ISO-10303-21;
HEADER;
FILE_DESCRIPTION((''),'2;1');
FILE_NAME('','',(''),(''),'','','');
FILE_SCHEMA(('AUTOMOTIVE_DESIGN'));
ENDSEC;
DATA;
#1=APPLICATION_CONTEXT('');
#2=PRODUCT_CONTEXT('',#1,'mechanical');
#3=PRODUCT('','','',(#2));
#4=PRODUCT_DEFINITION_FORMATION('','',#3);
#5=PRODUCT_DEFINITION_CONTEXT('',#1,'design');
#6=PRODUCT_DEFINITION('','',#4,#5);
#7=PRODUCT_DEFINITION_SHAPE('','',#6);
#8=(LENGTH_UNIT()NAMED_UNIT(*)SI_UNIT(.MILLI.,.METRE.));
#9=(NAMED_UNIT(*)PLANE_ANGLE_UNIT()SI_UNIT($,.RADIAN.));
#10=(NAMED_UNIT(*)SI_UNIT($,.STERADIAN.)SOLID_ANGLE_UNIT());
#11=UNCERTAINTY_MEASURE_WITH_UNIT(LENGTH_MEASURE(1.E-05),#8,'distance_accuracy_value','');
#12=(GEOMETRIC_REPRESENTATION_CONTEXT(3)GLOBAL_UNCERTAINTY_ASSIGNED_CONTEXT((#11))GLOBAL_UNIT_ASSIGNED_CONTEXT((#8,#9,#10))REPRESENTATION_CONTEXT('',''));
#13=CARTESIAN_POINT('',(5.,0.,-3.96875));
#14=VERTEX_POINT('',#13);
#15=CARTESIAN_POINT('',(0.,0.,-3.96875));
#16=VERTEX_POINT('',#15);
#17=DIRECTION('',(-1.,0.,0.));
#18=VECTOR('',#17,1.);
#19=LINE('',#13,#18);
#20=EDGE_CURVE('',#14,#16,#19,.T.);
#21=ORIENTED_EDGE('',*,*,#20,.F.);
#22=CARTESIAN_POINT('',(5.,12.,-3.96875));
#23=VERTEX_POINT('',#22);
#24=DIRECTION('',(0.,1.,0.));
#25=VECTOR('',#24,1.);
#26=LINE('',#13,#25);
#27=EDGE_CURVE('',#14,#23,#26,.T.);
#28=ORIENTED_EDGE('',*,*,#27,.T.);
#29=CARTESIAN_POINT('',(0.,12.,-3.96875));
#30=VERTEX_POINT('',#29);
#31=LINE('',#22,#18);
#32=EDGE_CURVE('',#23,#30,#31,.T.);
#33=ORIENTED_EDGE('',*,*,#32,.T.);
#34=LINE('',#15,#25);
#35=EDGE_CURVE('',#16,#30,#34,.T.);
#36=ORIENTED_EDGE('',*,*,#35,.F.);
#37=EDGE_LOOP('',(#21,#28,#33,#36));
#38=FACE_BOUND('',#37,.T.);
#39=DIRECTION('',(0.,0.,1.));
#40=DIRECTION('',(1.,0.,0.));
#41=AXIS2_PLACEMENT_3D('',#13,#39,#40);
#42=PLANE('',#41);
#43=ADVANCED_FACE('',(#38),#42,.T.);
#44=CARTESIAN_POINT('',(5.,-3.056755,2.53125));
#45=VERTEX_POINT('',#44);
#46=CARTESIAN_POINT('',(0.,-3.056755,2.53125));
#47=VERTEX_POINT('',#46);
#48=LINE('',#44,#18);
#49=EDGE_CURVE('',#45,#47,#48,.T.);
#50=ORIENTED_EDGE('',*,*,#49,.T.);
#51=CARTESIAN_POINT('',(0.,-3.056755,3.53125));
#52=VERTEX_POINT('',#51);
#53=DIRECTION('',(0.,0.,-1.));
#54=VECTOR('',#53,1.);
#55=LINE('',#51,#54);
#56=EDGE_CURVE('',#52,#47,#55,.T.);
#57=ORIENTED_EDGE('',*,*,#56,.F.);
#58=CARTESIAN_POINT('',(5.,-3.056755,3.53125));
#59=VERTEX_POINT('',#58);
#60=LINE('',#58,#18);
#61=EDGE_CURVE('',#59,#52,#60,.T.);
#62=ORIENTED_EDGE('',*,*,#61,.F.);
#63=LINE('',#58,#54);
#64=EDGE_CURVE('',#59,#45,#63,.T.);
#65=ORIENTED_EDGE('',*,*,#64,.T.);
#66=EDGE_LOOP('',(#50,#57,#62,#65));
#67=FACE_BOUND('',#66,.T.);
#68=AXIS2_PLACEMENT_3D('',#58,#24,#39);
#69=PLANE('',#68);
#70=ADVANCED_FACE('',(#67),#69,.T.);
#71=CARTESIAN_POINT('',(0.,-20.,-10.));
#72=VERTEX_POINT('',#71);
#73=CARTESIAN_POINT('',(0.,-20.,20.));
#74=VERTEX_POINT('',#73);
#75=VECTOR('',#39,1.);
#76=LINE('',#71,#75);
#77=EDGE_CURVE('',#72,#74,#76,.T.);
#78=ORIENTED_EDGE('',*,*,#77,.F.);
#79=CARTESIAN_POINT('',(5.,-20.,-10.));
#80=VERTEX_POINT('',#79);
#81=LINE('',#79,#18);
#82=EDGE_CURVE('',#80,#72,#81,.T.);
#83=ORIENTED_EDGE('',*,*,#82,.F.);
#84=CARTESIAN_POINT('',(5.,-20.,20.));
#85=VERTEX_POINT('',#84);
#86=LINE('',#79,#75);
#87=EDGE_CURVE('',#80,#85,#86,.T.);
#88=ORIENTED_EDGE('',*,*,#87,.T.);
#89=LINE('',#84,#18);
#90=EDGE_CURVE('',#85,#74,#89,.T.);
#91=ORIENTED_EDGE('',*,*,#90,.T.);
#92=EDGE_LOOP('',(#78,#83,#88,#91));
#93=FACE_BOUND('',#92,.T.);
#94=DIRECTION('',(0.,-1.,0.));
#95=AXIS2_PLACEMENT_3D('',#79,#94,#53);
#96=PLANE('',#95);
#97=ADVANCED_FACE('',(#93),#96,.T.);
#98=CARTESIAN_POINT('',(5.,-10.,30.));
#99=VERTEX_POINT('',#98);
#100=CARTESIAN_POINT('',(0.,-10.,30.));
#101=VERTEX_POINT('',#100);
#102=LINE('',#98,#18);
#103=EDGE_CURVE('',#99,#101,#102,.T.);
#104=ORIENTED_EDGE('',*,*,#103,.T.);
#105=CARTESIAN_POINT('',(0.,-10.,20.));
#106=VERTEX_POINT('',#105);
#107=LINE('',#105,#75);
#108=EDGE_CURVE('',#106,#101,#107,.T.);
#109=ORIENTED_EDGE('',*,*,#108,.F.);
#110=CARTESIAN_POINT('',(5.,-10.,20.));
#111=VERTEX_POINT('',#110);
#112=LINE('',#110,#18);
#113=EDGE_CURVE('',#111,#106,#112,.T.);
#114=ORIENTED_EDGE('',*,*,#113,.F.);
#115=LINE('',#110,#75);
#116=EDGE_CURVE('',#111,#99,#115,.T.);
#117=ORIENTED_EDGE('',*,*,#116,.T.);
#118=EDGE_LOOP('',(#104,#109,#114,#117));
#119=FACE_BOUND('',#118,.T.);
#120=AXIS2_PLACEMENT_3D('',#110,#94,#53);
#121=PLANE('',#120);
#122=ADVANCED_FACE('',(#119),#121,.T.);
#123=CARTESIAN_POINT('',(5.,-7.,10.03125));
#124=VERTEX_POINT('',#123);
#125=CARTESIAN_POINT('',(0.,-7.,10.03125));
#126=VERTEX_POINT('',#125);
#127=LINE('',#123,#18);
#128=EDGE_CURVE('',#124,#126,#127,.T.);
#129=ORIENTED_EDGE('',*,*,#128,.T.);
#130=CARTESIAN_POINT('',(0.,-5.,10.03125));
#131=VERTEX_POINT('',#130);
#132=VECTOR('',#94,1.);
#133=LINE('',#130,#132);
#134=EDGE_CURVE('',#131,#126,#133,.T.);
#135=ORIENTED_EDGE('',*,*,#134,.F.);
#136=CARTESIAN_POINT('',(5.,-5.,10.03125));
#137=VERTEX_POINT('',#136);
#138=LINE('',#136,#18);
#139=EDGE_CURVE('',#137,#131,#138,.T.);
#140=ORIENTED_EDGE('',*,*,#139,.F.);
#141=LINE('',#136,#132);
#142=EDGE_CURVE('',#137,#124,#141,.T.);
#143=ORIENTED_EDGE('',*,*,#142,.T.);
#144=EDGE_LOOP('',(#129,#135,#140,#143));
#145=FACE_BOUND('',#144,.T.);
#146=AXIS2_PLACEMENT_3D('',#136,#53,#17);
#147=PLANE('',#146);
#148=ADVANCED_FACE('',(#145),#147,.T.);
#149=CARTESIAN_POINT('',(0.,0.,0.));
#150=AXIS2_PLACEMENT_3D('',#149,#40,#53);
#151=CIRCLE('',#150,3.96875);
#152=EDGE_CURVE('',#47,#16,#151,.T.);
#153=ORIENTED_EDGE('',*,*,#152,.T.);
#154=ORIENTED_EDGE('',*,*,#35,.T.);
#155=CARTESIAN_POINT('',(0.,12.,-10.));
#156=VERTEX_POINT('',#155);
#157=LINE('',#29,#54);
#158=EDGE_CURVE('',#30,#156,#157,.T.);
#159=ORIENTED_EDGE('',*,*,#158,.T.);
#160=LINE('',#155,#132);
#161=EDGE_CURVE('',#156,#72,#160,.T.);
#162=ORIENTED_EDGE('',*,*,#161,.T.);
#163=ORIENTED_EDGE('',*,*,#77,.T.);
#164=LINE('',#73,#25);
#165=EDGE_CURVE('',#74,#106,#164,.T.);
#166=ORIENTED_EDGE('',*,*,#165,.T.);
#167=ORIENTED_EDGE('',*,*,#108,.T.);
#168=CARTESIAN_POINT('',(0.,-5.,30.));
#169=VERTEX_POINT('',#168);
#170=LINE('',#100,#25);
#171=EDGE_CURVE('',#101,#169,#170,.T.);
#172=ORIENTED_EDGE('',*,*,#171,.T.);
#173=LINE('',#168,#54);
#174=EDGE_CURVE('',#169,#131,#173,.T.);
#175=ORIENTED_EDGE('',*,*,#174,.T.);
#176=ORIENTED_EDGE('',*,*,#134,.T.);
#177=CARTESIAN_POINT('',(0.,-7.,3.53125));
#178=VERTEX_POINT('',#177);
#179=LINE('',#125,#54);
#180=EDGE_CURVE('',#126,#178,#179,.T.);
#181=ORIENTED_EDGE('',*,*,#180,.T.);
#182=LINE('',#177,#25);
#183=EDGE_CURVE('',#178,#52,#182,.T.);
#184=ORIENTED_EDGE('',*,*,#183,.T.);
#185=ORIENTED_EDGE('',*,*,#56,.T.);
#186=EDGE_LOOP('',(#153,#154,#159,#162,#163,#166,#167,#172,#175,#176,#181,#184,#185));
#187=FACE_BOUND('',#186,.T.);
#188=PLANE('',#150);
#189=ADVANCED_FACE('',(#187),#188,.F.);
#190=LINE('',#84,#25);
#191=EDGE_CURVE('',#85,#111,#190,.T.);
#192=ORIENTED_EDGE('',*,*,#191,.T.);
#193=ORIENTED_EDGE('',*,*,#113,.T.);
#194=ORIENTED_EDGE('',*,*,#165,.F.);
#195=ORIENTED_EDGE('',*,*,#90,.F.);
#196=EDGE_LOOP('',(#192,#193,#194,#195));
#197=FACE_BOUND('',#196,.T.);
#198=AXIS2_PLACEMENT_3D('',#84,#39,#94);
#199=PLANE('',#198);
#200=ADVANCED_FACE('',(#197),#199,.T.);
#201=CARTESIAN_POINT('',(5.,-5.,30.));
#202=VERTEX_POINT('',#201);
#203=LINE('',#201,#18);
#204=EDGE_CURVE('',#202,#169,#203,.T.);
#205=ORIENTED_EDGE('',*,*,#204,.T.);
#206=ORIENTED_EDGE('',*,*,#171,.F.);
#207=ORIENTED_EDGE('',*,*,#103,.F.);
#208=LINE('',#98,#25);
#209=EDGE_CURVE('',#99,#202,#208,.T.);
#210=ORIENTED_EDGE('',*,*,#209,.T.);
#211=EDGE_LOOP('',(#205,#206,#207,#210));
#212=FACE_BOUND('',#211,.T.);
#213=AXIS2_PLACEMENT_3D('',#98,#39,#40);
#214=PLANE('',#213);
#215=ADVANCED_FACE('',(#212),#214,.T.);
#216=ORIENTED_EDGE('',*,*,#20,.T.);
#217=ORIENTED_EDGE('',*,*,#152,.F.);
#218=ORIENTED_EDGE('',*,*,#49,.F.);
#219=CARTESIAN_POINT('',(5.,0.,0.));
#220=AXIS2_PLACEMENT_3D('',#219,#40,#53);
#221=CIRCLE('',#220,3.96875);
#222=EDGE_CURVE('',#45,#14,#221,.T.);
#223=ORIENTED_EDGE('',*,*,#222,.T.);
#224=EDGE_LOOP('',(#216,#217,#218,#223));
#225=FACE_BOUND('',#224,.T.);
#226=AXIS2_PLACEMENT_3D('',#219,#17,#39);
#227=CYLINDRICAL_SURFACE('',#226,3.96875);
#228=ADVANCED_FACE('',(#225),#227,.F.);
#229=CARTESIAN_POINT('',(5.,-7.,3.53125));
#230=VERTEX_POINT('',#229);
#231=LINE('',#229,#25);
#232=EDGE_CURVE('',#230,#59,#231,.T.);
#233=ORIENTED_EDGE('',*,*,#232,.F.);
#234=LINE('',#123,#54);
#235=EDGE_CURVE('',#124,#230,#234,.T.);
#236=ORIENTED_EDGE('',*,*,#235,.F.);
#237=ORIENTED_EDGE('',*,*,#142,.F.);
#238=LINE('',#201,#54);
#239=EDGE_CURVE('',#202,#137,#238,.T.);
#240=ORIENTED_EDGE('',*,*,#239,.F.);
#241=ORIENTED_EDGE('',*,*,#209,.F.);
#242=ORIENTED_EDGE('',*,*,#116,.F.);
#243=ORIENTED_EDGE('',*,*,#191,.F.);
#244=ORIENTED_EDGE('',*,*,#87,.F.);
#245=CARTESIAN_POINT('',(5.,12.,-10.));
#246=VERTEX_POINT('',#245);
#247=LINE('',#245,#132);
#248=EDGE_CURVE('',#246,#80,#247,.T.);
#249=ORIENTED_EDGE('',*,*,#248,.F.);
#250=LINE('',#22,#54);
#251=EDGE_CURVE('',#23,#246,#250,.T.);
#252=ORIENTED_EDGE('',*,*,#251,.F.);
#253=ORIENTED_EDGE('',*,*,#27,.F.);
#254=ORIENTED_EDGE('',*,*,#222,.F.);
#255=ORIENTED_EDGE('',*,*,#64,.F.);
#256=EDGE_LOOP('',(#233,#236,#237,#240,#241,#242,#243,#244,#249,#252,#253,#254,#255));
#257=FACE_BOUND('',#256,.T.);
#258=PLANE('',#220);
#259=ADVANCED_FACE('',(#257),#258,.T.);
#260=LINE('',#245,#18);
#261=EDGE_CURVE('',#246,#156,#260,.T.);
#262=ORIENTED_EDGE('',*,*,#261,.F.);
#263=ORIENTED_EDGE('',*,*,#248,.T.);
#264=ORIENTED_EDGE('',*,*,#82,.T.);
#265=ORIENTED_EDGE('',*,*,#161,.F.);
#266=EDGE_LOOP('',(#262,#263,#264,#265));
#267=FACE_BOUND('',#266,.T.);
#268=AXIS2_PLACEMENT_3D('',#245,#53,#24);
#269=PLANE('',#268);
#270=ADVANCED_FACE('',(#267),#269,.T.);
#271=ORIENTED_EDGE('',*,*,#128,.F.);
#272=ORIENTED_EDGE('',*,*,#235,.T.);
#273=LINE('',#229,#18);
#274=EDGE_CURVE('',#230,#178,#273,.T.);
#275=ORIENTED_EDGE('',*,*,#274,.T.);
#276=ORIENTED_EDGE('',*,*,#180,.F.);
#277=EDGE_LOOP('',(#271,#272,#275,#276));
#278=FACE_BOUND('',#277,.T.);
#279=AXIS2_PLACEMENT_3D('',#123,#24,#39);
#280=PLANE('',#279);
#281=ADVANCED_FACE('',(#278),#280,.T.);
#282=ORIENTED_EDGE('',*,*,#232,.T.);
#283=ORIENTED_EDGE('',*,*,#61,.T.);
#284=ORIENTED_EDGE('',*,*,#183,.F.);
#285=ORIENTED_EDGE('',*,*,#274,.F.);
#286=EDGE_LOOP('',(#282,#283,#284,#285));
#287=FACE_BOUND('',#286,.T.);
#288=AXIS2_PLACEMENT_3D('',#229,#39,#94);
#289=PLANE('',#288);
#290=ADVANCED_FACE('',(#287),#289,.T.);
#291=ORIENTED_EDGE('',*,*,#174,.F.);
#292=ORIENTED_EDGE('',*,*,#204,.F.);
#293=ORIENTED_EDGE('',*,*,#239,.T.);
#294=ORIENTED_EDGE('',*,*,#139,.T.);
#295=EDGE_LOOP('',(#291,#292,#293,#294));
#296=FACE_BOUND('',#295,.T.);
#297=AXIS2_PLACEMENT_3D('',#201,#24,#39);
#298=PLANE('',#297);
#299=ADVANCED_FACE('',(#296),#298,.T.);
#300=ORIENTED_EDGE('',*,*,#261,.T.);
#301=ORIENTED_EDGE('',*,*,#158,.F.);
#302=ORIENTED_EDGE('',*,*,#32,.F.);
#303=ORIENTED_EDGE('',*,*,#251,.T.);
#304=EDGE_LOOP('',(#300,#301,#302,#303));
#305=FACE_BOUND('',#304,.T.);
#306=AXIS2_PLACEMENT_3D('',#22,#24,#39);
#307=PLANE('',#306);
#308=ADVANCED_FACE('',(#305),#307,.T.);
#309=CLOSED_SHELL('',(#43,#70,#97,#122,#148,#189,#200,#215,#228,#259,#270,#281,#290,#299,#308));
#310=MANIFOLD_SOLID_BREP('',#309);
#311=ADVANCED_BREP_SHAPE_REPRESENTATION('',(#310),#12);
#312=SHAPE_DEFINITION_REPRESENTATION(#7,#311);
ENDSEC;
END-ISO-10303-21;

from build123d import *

# Parameters (mm, degrees)
BOSS_EXTRUDE1_DEPTH = 5


with BuildPart() as part:
    # Sketch1 → Boss-Extrude1 (new body)
    with BuildSketch(Plane(origin=(0, 0, 0), x_dir=(0, 0, -1), z_dir=(1, 0, 0))):
        with BuildLine():
            Line((3.96875, 0), (3.96875, 12))
            Line((3.96875, 12), (10, 12))
            Line((10, 12), (10, -20))
            Line((10, -20), (-20, -20))
            Line((-20, -20), (-20, -10))
            Line((-20, -10), (-30, -10))
            Line((-30, -10), (-30, -5))
            Line((-30, -5), (-10.03125, -5))
            Line((-10.03125, -5), (-10.03125, -7))
            Line((-10.03125, -7), (-3.53125, -7))
            Line((-3.53125, -7), (-3.53125, -3.056754815))
            Line((-3.53125, -3.056754815), (-2.53125, -3.056754815))
            ThreePointArc((-2.53125, -3.056754815), (1.68894614, -3.591439475), (3.96875, 0))
        make_face()
    extrude(amount=BOSS_EXTRUDE1_DEPTH)


solid = part.part
